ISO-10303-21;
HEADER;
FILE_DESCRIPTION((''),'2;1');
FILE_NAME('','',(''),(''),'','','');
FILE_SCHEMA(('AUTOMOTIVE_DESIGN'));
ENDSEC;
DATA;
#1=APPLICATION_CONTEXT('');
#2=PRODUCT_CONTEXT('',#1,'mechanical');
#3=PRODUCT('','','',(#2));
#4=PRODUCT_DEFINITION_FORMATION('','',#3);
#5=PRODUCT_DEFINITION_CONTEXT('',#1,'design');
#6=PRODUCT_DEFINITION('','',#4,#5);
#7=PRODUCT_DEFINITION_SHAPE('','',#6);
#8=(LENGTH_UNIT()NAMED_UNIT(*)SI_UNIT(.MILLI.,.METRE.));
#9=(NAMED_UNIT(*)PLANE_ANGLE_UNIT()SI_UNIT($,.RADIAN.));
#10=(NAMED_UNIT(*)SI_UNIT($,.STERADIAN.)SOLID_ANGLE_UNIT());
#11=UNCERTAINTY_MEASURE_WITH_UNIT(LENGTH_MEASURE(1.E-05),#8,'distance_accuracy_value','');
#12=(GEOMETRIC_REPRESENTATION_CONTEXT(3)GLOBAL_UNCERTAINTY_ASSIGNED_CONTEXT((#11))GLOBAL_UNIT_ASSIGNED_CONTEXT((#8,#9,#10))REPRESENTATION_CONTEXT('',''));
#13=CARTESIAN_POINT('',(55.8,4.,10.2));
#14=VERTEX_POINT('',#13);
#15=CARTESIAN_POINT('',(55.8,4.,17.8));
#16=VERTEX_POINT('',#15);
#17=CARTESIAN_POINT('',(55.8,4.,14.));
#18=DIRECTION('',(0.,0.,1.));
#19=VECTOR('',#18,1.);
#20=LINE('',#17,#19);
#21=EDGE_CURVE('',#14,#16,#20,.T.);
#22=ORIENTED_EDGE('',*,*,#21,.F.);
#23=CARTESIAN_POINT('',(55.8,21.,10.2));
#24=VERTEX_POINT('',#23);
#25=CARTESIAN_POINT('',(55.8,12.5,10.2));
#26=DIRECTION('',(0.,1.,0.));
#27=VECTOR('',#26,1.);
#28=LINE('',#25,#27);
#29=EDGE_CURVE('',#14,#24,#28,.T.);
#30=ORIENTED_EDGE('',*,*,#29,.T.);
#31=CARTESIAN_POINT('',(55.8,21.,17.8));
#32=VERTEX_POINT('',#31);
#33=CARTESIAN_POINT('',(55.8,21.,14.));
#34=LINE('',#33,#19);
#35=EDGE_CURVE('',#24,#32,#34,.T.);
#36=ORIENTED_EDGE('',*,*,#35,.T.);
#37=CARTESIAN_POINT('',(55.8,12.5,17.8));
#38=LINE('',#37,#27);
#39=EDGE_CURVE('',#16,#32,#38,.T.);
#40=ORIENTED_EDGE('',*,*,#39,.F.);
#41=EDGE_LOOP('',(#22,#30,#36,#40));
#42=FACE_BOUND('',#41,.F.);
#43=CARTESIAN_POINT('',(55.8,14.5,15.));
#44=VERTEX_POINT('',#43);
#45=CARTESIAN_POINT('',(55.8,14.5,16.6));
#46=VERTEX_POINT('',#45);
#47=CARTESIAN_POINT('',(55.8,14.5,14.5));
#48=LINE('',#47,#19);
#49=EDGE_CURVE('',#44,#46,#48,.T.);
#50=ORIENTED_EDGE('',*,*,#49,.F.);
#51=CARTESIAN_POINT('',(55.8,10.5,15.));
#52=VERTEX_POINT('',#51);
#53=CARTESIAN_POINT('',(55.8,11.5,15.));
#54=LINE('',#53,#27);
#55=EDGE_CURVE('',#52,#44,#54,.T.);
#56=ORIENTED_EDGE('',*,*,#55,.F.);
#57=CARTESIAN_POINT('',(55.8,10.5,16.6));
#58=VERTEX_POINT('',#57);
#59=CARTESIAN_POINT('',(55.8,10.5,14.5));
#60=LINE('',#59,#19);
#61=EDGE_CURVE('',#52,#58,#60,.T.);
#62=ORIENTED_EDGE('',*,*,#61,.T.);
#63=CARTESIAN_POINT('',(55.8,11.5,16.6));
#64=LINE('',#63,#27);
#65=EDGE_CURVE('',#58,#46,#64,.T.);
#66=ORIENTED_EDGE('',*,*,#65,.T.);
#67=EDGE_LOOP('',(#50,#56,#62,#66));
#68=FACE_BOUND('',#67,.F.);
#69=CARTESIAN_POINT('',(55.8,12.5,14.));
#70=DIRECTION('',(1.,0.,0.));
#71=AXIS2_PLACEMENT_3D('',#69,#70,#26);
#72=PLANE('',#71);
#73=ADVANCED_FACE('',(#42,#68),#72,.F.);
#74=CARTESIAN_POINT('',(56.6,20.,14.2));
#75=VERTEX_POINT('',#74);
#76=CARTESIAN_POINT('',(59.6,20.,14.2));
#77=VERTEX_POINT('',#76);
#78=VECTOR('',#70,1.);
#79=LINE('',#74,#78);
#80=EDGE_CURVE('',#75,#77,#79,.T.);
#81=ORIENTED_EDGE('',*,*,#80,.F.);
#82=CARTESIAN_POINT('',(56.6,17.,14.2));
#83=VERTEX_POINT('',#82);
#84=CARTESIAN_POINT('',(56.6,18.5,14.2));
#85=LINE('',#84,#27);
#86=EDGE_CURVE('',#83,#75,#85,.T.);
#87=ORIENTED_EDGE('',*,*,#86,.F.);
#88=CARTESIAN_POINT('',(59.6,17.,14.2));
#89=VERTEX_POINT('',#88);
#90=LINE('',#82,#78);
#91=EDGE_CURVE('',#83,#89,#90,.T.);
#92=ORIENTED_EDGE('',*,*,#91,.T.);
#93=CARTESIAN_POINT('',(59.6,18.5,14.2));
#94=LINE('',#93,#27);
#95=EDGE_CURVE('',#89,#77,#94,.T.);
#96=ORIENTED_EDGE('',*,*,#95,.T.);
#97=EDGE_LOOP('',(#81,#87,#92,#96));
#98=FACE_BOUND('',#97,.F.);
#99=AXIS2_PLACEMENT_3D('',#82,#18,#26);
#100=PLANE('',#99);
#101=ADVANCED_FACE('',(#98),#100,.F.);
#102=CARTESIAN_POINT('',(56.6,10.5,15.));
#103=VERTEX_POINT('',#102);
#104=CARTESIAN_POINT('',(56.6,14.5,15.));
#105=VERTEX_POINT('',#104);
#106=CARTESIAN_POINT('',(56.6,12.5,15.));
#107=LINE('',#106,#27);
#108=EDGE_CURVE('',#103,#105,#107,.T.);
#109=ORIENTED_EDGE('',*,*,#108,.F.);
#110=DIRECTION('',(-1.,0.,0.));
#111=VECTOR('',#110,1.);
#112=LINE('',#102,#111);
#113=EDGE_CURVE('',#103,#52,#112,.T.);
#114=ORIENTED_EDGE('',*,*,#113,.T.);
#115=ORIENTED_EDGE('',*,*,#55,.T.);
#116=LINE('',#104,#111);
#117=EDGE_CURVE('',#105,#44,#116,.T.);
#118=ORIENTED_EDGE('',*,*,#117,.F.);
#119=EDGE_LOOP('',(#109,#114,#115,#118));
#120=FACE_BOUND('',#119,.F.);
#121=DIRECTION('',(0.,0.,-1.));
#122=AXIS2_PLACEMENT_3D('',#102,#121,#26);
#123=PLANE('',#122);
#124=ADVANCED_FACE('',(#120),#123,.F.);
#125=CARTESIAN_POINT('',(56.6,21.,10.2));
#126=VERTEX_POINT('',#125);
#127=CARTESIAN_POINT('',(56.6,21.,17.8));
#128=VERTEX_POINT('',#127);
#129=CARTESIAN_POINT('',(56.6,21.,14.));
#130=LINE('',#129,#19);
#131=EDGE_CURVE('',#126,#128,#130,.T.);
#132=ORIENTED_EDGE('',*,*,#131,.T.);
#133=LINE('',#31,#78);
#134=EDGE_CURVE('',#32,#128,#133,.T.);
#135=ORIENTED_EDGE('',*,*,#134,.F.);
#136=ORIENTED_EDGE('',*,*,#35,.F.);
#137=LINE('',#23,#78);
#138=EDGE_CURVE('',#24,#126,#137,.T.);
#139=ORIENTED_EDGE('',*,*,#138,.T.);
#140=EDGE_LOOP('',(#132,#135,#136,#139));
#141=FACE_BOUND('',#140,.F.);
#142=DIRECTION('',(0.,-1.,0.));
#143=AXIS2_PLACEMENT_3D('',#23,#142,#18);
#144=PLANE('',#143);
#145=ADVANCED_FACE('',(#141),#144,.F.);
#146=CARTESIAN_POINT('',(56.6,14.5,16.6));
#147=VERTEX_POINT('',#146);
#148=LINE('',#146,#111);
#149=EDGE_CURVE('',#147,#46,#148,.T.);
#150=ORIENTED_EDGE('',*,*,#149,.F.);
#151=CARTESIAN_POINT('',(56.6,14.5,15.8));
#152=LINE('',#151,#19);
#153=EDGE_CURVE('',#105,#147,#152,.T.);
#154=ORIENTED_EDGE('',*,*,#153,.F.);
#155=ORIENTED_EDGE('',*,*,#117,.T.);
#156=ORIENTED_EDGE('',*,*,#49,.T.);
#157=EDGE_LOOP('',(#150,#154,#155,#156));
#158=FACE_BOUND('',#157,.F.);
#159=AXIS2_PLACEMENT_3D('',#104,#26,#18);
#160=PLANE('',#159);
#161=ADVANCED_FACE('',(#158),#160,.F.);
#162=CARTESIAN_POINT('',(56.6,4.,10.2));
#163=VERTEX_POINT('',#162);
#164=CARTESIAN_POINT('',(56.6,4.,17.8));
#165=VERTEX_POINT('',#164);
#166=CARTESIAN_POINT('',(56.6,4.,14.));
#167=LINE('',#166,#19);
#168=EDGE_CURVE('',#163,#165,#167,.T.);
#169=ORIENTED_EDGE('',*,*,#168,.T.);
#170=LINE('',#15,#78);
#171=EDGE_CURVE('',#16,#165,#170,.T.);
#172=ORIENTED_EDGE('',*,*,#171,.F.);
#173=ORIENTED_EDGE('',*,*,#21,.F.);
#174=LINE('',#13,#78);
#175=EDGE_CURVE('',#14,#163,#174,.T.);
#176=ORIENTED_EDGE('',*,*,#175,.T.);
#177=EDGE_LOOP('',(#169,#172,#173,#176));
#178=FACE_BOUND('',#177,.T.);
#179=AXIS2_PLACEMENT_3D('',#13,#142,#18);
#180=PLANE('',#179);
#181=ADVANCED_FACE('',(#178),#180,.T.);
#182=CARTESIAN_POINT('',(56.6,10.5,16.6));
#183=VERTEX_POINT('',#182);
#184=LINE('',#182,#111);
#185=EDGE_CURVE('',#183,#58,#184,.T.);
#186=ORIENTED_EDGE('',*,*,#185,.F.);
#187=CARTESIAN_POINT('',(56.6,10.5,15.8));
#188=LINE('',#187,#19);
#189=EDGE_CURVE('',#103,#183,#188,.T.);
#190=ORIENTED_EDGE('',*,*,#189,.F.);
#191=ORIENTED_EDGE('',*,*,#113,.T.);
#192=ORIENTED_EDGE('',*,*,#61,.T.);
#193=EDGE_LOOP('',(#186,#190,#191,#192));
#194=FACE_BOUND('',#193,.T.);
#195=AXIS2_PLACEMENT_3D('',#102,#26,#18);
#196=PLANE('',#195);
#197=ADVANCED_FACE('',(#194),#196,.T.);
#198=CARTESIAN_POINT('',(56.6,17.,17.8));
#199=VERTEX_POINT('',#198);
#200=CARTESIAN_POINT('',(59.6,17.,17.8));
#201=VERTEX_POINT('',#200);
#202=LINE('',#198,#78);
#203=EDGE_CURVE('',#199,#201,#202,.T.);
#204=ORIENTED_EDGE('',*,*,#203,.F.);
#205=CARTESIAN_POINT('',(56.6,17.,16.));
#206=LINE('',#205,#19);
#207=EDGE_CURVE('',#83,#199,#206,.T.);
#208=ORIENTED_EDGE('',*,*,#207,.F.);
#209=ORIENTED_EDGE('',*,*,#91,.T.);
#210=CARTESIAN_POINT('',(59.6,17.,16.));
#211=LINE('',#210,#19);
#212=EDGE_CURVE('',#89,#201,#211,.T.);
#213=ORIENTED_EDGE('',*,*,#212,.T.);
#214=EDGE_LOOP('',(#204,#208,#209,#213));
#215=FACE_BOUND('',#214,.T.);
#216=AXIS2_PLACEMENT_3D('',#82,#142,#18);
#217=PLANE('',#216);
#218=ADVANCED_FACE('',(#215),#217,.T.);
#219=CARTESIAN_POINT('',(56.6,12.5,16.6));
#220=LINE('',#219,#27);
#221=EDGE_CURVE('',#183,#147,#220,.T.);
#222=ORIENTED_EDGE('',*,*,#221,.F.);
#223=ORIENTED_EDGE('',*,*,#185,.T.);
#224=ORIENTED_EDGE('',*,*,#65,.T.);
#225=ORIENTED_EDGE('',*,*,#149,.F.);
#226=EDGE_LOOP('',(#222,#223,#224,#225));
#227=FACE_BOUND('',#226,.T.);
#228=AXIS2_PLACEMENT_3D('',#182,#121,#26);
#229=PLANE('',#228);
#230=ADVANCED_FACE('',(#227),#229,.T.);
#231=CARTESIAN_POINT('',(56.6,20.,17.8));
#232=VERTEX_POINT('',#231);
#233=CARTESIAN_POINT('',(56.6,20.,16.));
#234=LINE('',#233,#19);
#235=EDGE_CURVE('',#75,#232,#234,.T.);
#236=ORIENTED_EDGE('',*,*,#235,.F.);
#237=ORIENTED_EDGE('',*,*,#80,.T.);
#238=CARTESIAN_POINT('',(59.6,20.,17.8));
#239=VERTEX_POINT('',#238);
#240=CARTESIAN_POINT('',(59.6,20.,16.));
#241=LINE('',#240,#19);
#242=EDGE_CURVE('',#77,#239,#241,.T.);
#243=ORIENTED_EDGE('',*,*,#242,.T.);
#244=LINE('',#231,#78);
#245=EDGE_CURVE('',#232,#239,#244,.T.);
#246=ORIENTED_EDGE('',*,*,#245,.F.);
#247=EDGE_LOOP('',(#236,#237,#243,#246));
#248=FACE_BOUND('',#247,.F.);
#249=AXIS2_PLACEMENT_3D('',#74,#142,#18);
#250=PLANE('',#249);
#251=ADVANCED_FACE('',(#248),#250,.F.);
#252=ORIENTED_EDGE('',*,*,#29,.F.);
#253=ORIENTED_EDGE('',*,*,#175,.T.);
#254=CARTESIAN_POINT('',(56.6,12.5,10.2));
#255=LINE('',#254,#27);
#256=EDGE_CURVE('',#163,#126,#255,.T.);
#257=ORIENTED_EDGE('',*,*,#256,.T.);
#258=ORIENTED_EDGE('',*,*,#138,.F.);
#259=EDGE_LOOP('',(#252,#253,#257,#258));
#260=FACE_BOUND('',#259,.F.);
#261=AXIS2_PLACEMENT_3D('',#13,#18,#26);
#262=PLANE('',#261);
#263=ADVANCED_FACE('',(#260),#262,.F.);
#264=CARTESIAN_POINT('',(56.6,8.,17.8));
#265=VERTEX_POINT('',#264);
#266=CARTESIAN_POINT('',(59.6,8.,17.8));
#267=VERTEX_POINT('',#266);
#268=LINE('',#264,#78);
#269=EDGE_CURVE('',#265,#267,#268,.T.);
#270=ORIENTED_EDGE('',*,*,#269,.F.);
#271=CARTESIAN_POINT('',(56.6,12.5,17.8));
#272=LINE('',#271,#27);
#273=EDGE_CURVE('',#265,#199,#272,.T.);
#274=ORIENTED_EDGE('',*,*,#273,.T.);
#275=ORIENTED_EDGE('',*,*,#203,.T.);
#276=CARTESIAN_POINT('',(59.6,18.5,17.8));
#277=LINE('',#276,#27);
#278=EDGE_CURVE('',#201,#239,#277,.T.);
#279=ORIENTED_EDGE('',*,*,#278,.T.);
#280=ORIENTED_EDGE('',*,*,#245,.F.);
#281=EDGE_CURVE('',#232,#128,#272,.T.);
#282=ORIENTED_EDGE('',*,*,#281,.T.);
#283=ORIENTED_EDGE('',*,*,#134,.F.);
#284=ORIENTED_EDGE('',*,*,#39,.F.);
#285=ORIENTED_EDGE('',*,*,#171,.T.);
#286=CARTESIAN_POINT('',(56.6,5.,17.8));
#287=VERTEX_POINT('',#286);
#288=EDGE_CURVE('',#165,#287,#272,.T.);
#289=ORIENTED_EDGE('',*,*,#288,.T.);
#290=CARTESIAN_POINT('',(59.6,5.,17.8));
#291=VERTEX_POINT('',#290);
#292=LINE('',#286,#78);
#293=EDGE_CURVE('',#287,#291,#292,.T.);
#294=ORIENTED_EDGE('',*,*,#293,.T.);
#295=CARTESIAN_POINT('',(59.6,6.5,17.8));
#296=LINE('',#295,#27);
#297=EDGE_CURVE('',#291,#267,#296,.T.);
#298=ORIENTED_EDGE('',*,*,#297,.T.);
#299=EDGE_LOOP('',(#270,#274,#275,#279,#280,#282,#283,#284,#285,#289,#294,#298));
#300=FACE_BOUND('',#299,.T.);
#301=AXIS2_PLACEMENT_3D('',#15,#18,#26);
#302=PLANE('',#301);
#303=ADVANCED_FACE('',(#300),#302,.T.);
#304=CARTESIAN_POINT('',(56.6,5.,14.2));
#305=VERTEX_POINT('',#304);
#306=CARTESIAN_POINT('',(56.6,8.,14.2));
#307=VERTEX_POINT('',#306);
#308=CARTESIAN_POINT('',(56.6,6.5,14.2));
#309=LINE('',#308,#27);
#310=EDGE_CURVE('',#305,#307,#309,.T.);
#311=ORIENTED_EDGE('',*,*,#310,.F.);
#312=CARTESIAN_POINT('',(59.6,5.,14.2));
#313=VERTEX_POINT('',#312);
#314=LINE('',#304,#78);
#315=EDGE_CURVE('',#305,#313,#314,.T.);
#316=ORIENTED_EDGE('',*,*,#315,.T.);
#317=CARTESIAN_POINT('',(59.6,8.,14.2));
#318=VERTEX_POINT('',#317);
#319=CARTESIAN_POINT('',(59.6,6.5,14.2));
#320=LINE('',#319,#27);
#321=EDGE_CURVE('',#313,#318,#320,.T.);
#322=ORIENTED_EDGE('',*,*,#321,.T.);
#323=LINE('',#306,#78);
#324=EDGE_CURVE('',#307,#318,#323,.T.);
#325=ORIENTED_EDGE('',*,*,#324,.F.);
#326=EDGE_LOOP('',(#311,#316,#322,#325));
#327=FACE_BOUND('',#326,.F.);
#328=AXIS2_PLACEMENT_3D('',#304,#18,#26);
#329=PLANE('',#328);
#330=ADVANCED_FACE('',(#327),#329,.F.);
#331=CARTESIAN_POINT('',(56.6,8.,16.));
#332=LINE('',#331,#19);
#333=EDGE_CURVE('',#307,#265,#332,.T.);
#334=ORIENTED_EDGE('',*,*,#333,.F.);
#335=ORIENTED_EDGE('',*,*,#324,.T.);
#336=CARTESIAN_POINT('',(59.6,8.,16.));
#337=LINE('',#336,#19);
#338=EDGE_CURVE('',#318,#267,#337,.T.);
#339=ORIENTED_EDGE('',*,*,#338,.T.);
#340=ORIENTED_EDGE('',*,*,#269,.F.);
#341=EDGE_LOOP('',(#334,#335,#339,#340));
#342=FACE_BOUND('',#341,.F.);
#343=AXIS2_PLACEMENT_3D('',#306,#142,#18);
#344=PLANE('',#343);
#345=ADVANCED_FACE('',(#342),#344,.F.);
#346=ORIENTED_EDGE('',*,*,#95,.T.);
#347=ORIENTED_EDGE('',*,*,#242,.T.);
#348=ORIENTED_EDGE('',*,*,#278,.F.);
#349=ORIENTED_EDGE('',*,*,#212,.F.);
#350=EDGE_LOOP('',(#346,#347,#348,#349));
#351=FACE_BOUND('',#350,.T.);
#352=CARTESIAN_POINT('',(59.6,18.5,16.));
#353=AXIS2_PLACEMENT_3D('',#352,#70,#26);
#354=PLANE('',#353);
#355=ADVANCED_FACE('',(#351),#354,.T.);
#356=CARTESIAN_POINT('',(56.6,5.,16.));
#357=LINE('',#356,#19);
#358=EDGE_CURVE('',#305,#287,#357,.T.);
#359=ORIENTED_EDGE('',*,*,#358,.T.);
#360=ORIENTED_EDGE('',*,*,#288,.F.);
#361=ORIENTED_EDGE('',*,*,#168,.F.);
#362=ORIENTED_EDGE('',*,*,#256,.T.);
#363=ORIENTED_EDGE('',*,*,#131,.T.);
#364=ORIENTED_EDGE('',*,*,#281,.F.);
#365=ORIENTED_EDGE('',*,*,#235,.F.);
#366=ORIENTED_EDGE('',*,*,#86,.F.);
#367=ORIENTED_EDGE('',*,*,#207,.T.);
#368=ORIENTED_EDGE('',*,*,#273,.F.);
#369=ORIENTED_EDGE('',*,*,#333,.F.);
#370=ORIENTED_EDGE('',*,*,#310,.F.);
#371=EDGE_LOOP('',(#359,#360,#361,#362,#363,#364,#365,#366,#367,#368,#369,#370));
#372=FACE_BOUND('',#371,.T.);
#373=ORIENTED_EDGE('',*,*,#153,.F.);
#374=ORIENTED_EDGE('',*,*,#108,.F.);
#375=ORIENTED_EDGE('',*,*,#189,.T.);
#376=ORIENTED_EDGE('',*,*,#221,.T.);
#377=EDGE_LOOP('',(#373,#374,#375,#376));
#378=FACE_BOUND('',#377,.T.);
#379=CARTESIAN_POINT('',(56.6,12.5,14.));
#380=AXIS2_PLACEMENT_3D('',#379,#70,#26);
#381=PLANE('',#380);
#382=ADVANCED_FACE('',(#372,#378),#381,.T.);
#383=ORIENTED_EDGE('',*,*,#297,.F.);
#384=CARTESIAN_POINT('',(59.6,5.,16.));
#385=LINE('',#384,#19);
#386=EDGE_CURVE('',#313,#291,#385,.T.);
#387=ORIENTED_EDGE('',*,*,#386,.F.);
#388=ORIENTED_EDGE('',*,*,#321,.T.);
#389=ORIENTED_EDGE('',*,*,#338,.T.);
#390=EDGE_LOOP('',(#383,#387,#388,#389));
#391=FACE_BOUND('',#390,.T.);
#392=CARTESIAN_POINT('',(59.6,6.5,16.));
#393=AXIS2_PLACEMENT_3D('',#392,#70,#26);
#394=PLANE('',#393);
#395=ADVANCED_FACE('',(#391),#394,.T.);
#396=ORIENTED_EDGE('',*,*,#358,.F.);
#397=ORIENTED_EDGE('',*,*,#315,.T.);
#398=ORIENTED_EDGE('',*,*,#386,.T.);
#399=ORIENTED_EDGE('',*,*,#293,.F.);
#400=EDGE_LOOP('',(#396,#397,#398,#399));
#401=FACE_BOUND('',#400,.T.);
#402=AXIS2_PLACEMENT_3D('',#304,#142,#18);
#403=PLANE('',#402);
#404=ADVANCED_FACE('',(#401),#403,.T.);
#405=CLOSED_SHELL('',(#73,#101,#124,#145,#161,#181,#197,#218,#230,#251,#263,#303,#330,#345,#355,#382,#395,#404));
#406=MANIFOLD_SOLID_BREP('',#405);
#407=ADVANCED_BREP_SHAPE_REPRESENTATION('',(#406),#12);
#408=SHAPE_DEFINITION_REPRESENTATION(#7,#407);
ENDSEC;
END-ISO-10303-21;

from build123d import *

# Parameters (mm, degrees)
SKETCH049_W     = 17
SKETCH049_H     = 7.6
PAD022_DEPTH    = 0.8
SKETCH050_W     = 3
SKETCH050_H     = 3.6
PAD023_DEPTH    = 3
SKETCH051_W     = 4
SKETCH051_H     = 1.6
POCKET017_DEPTH = 0.801


with BuildPart() as part:
    # Sketch049 → Pad022 (new body)
    with BuildSketch(Plane.YZ):
        Rectangle(SKETCH049_W, SKETCH049_H)
    extrude(amount=PAD022_DEPTH)

    # Sketch050 (on Face6 of Pad022) → Pad023 (join)
    with BuildSketch(Plane.YZ.offset(0.8)):
        with Locations((-6, 2)):
            Rectangle(SKETCH050_W, SKETCH050_H)
        with Locations((6, 2)):
            Rectangle(SKETCH050_W, SKETCH050_H)
    extrude(amount=PAD023_DEPTH)

    # Sketch051 (on Face5 of Pad023) → Pocket017 (cut, through all)
    with BuildSketch(Plane.YZ.offset(0.8)):
        with Locations((0, 1.8)):
            Rectangle(SKETCH051_W, SKETCH051_H)
    extrude(amount=-POCKET017_DEPTH, mode=Mode.SUBTRACT)


with BuildPart() as part_1:
    # Body006 placement: moved
    add(part.part.moved(Location((55.8, 12.5, 14))))


solid = part_1.part
